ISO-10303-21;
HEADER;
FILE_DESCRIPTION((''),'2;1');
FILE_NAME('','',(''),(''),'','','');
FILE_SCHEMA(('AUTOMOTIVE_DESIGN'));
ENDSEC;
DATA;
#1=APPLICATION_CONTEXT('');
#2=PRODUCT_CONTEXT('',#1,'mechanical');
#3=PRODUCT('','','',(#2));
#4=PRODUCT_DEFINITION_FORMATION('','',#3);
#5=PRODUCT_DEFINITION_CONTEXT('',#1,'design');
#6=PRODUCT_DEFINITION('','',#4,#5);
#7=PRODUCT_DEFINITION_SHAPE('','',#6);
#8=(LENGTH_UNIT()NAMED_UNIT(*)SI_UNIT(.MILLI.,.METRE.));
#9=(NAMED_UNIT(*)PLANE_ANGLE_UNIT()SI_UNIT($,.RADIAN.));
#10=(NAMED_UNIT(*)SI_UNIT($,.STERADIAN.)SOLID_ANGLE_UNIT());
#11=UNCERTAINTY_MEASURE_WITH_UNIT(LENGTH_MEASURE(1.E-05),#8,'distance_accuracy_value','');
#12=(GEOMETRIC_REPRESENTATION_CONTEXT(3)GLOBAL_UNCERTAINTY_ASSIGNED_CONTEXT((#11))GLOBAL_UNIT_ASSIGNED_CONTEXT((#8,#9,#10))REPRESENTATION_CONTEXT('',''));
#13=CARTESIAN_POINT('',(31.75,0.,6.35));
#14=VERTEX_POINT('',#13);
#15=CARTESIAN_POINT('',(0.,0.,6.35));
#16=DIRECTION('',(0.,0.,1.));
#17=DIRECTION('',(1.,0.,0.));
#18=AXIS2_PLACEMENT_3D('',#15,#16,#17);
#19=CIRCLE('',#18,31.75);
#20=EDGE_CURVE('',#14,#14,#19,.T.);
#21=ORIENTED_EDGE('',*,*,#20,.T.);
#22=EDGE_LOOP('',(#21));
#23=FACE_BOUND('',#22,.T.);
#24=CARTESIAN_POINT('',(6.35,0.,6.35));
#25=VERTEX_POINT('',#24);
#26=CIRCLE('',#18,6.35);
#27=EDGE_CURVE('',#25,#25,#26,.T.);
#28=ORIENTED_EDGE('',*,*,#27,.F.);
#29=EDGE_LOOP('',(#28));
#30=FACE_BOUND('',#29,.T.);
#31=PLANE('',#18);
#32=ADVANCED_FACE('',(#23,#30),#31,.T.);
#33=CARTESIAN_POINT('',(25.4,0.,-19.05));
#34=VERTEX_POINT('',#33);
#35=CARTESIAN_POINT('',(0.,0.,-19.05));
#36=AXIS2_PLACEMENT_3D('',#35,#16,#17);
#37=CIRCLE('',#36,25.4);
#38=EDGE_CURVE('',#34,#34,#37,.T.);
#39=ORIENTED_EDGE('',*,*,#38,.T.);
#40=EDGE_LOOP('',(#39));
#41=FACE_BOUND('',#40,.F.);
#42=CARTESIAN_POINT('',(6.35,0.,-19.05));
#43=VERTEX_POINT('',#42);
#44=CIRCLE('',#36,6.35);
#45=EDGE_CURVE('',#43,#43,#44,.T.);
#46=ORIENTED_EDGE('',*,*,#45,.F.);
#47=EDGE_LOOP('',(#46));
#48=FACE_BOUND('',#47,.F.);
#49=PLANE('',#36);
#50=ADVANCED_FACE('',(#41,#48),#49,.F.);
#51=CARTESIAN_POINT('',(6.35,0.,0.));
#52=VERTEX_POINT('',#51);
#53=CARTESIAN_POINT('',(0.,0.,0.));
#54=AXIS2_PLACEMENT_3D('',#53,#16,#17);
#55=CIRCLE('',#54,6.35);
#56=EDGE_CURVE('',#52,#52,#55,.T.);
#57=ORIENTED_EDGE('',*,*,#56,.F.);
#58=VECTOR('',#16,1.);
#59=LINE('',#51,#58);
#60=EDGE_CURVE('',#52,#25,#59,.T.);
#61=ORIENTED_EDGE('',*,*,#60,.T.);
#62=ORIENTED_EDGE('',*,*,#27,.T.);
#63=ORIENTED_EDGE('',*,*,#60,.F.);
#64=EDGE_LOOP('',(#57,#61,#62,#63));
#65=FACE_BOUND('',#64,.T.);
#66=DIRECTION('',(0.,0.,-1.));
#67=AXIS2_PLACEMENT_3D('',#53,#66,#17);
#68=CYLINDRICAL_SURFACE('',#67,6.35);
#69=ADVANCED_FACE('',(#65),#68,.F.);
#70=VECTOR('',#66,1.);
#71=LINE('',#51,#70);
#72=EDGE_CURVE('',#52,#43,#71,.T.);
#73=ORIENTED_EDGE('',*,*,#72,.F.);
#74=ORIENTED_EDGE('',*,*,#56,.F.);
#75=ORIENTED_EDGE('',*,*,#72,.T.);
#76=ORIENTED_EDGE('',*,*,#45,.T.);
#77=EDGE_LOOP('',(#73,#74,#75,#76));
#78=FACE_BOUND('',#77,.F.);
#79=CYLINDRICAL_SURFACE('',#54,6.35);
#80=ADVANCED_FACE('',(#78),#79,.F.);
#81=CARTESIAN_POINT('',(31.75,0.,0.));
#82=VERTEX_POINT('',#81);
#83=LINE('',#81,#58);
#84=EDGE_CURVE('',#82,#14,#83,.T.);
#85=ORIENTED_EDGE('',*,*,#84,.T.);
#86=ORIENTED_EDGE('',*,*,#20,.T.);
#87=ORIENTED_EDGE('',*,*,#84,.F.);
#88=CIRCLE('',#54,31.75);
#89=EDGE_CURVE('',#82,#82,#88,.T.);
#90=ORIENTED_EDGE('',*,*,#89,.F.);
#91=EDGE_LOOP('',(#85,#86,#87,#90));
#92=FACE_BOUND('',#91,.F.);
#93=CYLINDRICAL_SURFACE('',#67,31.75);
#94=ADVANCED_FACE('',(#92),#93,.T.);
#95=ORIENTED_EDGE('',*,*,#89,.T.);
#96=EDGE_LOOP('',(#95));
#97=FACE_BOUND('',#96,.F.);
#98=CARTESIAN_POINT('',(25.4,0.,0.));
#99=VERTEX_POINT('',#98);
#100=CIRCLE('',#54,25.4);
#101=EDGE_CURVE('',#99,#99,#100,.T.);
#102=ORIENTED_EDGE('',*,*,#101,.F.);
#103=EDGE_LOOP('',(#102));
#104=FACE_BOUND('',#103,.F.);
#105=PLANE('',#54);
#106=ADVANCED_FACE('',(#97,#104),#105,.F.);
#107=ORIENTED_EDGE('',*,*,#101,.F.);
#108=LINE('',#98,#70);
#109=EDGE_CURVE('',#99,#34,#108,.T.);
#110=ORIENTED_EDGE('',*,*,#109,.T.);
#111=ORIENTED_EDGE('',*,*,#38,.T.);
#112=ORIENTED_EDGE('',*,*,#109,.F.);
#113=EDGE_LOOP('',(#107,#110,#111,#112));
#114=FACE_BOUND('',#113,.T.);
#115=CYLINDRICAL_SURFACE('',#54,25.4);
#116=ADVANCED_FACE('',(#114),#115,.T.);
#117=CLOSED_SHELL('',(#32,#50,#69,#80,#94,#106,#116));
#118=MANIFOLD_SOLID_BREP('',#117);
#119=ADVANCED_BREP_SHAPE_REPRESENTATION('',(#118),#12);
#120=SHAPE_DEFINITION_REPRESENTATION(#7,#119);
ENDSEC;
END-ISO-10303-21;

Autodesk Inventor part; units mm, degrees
ref_plane "YZ Plane" through (0, 0, 0) normal (1, 0, 0) x (0, 1, 0)
ref_plane "XZ Plane" through (0, 0, 0) normal (0, 1, 0) x (-1, 0, 0)
ref_plane "XY Plane" through (0, 0, 0) normal (0, 0, 1) x (1, 0, 0)
sketch "Sketch1" plane through (0, 0, 0) normal (0, 0, 1) x (1, 0, 0)
  circle A0 centre (0, 0) radius 31.75
  circle A1 centre (0, 0) radius 25.4
  circle A2 centre (0, 0) radius 6.35
  dimension "d0" = 63.5
  dimension "d1" = 50.8
  dimension "d2" = 12.7
extrude "Extrusion1" add sketch "Sketch1" along normal blind 6.35 contours A0
extrude "Extrusion2" add sketch "Sketch1" along normal blind 6.35 contours A1
extrude "Extrusion3" add sketch "Sketch1" against normal blind 19.05 contours A1
properties part number "2.5ingear proxy"
